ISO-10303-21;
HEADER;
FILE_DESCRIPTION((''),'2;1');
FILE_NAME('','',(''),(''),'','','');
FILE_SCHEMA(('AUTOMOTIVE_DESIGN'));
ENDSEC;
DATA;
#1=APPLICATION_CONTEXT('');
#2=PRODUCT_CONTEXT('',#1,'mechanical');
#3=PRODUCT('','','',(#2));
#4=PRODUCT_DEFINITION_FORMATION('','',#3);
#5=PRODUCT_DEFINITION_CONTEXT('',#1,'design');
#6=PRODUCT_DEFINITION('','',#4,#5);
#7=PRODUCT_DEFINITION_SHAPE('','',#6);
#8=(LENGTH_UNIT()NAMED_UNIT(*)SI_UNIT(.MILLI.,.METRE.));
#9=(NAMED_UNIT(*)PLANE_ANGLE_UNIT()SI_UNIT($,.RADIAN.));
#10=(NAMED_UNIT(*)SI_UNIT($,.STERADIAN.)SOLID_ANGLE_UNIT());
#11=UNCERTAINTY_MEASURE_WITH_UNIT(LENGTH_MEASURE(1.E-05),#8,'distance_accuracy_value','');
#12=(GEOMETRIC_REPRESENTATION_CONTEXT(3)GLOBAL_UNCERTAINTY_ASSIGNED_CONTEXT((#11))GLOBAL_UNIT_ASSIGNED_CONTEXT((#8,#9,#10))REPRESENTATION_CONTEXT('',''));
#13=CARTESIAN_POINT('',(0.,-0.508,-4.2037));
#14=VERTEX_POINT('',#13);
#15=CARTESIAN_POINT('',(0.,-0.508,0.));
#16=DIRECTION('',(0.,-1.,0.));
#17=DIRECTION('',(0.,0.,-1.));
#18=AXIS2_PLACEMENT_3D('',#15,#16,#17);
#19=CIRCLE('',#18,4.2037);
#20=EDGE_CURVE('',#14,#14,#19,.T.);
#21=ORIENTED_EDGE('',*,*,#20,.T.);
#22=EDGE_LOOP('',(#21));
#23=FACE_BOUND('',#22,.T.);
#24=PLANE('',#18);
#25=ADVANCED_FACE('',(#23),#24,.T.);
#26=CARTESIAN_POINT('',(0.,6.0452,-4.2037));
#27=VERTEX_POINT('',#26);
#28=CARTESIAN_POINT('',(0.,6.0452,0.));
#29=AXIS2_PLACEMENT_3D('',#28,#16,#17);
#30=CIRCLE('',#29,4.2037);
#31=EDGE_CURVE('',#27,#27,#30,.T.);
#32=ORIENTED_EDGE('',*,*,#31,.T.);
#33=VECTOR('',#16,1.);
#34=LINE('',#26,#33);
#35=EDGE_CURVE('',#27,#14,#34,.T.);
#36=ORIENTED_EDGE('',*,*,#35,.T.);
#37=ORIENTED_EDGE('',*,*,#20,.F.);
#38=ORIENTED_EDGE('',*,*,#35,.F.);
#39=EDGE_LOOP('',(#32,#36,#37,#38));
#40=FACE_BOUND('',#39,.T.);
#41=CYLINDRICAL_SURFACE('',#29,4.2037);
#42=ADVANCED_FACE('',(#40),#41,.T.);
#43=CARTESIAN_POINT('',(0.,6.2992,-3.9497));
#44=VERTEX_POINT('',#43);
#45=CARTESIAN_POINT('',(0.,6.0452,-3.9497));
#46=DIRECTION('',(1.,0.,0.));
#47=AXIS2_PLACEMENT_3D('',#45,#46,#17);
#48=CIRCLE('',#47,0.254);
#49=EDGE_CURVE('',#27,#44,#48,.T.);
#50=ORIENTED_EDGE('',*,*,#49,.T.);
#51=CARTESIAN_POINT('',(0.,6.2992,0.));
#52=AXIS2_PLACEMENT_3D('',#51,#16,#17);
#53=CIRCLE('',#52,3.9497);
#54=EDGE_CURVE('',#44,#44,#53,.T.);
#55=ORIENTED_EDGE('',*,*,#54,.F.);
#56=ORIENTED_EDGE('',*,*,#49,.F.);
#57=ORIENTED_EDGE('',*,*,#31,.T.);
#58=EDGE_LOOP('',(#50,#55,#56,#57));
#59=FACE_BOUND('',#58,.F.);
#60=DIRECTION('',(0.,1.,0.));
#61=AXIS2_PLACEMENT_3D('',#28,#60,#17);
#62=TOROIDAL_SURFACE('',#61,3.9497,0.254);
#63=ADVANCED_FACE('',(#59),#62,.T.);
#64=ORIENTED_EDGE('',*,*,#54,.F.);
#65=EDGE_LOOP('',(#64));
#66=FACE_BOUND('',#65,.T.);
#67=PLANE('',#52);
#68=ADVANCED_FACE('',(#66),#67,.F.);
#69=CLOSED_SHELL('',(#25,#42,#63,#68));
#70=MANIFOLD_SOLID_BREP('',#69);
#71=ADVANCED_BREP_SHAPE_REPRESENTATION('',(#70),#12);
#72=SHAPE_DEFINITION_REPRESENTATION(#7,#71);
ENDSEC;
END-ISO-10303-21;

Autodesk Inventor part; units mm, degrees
sketch "Sketch_2" plane through (0, 0, 0) normal (1, 0, 0) x (0, 1, 0)
  line L0 (-0.508, 0) -> (6.2992, 0)
  line L1 (6.2992, 0) -> (6.2992, -3.9497)
  arc A0 (6.0452, -4.2037) -> (6.2992, -3.9497) centre (6.0452, -3.9497) ccw
  line L2 (6.0452, -4.2037) -> (-0.508, -4.2037)
  line L3 (-0.508, -4.2037) -> (-0.508, 0)
  line L4 (-0.508, 0) -> (6.2992, 0)
revolve "Revolution1" add sketch "Sketch_2" angle 360 about axis through (0, -0.508, 0) along (0, -1, 0)
ref_plane "to_body_XY" through (0, 0, 0) normal (0, 1, 0) x (1, 0, 0)
ref_plane "to_body_YZ" through (0, 0, 0) normal (1, 0, 0) x (0, 0, -1)
ref_plane "to_body_ZX" through (0, 0, 0) normal (0, 0, -1) x (0, 1, 0)
ref_plane "to_cap_XY" through (0, 2.794, 0) normal (0, -1, 0) x (1, 0, 0)
ref_plane "to_cap_YZ" through (0, 2.794, 0) normal (1, 0, 0) x (0, 0, 1)
ref_plane "to_cap_ZX" through (0, 2.794, 0) normal (0, 0, 1) x (0, -1, 0)
properties part number "SB40-plunger"
